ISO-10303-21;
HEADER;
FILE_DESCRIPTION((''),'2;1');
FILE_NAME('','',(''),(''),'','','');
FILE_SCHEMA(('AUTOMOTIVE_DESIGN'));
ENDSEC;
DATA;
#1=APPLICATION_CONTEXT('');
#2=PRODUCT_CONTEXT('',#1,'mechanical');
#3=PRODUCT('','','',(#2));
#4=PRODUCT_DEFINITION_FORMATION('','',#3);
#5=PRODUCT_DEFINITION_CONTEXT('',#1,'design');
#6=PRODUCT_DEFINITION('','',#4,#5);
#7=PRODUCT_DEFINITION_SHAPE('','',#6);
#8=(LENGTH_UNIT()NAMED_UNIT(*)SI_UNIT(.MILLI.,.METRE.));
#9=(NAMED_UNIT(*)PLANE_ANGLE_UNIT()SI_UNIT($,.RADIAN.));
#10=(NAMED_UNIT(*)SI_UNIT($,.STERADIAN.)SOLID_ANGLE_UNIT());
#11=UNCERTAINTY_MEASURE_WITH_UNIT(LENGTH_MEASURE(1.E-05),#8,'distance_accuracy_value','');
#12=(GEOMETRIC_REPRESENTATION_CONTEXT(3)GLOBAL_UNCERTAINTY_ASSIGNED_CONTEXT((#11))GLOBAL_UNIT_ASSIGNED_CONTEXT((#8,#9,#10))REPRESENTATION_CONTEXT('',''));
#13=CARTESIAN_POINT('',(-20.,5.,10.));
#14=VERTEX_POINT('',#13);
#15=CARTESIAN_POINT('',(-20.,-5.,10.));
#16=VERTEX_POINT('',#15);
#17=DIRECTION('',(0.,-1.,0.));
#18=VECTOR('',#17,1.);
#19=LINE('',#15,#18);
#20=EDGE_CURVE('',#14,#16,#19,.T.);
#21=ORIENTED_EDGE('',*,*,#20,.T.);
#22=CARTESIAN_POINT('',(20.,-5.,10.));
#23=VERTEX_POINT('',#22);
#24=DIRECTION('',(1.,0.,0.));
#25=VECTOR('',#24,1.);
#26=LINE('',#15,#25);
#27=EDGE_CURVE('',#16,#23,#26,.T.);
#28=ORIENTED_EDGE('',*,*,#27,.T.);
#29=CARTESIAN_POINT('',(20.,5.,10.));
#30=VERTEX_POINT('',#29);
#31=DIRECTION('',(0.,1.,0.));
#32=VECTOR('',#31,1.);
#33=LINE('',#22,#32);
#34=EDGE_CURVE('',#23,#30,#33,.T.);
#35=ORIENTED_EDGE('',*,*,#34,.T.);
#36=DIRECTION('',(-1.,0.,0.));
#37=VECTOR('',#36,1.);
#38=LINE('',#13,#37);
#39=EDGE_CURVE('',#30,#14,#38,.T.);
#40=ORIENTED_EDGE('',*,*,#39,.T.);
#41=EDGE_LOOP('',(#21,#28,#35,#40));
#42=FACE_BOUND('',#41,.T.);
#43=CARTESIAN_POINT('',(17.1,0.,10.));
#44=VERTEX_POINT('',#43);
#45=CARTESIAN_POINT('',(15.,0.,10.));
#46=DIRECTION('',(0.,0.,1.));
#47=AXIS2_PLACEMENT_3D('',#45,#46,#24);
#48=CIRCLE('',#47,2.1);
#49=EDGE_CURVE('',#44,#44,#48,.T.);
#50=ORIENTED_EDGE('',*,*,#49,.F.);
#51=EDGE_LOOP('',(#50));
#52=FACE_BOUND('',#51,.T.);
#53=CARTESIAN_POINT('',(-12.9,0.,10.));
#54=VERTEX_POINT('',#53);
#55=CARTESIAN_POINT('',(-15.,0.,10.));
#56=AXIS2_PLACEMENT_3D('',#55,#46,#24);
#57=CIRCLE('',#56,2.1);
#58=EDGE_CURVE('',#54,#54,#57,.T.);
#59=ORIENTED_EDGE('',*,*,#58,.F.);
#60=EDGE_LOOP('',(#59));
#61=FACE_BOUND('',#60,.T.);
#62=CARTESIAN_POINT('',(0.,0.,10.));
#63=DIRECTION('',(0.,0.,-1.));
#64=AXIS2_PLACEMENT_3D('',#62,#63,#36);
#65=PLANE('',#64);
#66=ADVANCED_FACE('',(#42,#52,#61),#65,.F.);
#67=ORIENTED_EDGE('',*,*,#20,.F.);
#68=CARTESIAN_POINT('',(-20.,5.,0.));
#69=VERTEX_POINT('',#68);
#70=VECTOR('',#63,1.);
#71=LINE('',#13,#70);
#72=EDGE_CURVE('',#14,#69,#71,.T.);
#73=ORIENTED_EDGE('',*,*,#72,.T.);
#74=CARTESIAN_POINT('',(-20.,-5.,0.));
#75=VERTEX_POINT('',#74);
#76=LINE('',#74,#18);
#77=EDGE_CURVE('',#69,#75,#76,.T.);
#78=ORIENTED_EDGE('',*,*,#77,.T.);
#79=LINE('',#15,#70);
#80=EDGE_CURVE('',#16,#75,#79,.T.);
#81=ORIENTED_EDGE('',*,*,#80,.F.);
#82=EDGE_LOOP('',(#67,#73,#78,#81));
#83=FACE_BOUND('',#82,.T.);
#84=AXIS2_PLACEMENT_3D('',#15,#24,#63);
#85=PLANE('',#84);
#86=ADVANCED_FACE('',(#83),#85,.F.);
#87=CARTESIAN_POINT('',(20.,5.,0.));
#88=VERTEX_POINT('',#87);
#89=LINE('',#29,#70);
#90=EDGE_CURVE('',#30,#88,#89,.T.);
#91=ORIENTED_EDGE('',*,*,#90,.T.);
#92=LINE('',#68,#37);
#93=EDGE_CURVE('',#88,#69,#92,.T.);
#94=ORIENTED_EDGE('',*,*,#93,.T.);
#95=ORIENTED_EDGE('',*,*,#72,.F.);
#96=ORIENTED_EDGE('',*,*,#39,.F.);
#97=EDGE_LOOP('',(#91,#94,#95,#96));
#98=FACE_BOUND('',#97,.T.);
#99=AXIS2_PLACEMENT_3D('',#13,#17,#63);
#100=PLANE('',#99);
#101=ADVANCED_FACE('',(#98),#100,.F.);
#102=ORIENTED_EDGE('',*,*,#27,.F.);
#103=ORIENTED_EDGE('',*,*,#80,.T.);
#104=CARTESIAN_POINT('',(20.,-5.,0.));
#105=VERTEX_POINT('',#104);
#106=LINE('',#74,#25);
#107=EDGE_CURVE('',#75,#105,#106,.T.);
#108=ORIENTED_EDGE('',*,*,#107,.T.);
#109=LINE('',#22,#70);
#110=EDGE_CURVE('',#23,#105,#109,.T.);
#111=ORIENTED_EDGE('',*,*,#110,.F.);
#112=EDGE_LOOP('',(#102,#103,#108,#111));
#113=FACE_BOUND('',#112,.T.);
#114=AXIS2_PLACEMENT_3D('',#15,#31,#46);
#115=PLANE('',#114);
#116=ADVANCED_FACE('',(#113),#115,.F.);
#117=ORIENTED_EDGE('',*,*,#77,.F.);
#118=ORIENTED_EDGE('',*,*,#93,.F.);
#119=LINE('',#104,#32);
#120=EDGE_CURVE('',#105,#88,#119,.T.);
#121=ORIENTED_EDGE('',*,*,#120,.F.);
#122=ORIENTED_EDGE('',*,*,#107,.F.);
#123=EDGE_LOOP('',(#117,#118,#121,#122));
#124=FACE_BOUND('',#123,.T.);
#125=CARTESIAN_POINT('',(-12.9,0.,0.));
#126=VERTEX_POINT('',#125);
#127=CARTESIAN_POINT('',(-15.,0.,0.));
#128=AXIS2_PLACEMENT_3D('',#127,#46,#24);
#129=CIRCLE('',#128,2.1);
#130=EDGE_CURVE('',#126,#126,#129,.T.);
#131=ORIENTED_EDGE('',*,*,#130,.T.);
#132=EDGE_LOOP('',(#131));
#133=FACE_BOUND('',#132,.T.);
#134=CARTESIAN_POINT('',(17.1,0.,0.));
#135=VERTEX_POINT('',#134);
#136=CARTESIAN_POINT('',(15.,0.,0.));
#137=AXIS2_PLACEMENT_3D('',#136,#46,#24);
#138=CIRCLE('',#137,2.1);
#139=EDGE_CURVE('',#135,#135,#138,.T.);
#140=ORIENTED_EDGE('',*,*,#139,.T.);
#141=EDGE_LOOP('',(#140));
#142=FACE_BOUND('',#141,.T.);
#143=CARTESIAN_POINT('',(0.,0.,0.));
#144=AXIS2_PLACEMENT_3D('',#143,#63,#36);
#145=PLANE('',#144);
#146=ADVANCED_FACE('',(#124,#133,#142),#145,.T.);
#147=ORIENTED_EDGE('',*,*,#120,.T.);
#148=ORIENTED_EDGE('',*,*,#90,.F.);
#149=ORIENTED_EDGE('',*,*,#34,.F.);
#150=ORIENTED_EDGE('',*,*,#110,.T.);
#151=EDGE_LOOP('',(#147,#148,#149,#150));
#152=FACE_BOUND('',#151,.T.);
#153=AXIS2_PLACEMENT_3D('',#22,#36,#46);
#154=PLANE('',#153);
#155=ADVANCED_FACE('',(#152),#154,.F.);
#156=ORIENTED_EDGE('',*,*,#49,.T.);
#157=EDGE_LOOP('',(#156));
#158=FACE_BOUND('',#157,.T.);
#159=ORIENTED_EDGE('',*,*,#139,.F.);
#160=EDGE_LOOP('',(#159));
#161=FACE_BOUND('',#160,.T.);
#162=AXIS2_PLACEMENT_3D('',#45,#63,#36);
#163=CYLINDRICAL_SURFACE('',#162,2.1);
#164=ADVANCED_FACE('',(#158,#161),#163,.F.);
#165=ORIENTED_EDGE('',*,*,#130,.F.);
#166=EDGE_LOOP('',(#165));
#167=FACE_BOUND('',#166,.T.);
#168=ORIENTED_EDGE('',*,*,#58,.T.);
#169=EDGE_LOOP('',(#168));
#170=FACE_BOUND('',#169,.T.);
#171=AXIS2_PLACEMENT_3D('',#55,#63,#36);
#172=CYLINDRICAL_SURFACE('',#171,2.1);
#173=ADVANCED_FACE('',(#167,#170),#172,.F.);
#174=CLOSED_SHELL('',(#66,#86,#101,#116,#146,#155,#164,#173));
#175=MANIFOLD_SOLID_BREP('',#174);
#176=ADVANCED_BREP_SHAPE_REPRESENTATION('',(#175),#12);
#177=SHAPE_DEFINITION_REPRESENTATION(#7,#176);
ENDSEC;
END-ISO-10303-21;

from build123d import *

# Parameters (mm, degrees)
SKETCH1_W           = 40
SKETCH1_H           = 10
SKETCH1_R           = 2.1
BOSS_EXTRUDE1_DEPTH = 10


with BuildPart() as part:
    # Sketch1 → Boss-Extrude1 (new body)
    with BuildSketch(Plane.XY):
        Rectangle(SKETCH1_W, SKETCH1_H)
        with Locations((-15, 0)):
            Circle(SKETCH1_R, mode=Mode.SUBTRACT)
        with Locations((15, 0)):
            Circle(SKETCH1_R, mode=Mode.SUBTRACT)
    extrude(amount=BOSS_EXTRUDE1_DEPTH)


solid = part.part
